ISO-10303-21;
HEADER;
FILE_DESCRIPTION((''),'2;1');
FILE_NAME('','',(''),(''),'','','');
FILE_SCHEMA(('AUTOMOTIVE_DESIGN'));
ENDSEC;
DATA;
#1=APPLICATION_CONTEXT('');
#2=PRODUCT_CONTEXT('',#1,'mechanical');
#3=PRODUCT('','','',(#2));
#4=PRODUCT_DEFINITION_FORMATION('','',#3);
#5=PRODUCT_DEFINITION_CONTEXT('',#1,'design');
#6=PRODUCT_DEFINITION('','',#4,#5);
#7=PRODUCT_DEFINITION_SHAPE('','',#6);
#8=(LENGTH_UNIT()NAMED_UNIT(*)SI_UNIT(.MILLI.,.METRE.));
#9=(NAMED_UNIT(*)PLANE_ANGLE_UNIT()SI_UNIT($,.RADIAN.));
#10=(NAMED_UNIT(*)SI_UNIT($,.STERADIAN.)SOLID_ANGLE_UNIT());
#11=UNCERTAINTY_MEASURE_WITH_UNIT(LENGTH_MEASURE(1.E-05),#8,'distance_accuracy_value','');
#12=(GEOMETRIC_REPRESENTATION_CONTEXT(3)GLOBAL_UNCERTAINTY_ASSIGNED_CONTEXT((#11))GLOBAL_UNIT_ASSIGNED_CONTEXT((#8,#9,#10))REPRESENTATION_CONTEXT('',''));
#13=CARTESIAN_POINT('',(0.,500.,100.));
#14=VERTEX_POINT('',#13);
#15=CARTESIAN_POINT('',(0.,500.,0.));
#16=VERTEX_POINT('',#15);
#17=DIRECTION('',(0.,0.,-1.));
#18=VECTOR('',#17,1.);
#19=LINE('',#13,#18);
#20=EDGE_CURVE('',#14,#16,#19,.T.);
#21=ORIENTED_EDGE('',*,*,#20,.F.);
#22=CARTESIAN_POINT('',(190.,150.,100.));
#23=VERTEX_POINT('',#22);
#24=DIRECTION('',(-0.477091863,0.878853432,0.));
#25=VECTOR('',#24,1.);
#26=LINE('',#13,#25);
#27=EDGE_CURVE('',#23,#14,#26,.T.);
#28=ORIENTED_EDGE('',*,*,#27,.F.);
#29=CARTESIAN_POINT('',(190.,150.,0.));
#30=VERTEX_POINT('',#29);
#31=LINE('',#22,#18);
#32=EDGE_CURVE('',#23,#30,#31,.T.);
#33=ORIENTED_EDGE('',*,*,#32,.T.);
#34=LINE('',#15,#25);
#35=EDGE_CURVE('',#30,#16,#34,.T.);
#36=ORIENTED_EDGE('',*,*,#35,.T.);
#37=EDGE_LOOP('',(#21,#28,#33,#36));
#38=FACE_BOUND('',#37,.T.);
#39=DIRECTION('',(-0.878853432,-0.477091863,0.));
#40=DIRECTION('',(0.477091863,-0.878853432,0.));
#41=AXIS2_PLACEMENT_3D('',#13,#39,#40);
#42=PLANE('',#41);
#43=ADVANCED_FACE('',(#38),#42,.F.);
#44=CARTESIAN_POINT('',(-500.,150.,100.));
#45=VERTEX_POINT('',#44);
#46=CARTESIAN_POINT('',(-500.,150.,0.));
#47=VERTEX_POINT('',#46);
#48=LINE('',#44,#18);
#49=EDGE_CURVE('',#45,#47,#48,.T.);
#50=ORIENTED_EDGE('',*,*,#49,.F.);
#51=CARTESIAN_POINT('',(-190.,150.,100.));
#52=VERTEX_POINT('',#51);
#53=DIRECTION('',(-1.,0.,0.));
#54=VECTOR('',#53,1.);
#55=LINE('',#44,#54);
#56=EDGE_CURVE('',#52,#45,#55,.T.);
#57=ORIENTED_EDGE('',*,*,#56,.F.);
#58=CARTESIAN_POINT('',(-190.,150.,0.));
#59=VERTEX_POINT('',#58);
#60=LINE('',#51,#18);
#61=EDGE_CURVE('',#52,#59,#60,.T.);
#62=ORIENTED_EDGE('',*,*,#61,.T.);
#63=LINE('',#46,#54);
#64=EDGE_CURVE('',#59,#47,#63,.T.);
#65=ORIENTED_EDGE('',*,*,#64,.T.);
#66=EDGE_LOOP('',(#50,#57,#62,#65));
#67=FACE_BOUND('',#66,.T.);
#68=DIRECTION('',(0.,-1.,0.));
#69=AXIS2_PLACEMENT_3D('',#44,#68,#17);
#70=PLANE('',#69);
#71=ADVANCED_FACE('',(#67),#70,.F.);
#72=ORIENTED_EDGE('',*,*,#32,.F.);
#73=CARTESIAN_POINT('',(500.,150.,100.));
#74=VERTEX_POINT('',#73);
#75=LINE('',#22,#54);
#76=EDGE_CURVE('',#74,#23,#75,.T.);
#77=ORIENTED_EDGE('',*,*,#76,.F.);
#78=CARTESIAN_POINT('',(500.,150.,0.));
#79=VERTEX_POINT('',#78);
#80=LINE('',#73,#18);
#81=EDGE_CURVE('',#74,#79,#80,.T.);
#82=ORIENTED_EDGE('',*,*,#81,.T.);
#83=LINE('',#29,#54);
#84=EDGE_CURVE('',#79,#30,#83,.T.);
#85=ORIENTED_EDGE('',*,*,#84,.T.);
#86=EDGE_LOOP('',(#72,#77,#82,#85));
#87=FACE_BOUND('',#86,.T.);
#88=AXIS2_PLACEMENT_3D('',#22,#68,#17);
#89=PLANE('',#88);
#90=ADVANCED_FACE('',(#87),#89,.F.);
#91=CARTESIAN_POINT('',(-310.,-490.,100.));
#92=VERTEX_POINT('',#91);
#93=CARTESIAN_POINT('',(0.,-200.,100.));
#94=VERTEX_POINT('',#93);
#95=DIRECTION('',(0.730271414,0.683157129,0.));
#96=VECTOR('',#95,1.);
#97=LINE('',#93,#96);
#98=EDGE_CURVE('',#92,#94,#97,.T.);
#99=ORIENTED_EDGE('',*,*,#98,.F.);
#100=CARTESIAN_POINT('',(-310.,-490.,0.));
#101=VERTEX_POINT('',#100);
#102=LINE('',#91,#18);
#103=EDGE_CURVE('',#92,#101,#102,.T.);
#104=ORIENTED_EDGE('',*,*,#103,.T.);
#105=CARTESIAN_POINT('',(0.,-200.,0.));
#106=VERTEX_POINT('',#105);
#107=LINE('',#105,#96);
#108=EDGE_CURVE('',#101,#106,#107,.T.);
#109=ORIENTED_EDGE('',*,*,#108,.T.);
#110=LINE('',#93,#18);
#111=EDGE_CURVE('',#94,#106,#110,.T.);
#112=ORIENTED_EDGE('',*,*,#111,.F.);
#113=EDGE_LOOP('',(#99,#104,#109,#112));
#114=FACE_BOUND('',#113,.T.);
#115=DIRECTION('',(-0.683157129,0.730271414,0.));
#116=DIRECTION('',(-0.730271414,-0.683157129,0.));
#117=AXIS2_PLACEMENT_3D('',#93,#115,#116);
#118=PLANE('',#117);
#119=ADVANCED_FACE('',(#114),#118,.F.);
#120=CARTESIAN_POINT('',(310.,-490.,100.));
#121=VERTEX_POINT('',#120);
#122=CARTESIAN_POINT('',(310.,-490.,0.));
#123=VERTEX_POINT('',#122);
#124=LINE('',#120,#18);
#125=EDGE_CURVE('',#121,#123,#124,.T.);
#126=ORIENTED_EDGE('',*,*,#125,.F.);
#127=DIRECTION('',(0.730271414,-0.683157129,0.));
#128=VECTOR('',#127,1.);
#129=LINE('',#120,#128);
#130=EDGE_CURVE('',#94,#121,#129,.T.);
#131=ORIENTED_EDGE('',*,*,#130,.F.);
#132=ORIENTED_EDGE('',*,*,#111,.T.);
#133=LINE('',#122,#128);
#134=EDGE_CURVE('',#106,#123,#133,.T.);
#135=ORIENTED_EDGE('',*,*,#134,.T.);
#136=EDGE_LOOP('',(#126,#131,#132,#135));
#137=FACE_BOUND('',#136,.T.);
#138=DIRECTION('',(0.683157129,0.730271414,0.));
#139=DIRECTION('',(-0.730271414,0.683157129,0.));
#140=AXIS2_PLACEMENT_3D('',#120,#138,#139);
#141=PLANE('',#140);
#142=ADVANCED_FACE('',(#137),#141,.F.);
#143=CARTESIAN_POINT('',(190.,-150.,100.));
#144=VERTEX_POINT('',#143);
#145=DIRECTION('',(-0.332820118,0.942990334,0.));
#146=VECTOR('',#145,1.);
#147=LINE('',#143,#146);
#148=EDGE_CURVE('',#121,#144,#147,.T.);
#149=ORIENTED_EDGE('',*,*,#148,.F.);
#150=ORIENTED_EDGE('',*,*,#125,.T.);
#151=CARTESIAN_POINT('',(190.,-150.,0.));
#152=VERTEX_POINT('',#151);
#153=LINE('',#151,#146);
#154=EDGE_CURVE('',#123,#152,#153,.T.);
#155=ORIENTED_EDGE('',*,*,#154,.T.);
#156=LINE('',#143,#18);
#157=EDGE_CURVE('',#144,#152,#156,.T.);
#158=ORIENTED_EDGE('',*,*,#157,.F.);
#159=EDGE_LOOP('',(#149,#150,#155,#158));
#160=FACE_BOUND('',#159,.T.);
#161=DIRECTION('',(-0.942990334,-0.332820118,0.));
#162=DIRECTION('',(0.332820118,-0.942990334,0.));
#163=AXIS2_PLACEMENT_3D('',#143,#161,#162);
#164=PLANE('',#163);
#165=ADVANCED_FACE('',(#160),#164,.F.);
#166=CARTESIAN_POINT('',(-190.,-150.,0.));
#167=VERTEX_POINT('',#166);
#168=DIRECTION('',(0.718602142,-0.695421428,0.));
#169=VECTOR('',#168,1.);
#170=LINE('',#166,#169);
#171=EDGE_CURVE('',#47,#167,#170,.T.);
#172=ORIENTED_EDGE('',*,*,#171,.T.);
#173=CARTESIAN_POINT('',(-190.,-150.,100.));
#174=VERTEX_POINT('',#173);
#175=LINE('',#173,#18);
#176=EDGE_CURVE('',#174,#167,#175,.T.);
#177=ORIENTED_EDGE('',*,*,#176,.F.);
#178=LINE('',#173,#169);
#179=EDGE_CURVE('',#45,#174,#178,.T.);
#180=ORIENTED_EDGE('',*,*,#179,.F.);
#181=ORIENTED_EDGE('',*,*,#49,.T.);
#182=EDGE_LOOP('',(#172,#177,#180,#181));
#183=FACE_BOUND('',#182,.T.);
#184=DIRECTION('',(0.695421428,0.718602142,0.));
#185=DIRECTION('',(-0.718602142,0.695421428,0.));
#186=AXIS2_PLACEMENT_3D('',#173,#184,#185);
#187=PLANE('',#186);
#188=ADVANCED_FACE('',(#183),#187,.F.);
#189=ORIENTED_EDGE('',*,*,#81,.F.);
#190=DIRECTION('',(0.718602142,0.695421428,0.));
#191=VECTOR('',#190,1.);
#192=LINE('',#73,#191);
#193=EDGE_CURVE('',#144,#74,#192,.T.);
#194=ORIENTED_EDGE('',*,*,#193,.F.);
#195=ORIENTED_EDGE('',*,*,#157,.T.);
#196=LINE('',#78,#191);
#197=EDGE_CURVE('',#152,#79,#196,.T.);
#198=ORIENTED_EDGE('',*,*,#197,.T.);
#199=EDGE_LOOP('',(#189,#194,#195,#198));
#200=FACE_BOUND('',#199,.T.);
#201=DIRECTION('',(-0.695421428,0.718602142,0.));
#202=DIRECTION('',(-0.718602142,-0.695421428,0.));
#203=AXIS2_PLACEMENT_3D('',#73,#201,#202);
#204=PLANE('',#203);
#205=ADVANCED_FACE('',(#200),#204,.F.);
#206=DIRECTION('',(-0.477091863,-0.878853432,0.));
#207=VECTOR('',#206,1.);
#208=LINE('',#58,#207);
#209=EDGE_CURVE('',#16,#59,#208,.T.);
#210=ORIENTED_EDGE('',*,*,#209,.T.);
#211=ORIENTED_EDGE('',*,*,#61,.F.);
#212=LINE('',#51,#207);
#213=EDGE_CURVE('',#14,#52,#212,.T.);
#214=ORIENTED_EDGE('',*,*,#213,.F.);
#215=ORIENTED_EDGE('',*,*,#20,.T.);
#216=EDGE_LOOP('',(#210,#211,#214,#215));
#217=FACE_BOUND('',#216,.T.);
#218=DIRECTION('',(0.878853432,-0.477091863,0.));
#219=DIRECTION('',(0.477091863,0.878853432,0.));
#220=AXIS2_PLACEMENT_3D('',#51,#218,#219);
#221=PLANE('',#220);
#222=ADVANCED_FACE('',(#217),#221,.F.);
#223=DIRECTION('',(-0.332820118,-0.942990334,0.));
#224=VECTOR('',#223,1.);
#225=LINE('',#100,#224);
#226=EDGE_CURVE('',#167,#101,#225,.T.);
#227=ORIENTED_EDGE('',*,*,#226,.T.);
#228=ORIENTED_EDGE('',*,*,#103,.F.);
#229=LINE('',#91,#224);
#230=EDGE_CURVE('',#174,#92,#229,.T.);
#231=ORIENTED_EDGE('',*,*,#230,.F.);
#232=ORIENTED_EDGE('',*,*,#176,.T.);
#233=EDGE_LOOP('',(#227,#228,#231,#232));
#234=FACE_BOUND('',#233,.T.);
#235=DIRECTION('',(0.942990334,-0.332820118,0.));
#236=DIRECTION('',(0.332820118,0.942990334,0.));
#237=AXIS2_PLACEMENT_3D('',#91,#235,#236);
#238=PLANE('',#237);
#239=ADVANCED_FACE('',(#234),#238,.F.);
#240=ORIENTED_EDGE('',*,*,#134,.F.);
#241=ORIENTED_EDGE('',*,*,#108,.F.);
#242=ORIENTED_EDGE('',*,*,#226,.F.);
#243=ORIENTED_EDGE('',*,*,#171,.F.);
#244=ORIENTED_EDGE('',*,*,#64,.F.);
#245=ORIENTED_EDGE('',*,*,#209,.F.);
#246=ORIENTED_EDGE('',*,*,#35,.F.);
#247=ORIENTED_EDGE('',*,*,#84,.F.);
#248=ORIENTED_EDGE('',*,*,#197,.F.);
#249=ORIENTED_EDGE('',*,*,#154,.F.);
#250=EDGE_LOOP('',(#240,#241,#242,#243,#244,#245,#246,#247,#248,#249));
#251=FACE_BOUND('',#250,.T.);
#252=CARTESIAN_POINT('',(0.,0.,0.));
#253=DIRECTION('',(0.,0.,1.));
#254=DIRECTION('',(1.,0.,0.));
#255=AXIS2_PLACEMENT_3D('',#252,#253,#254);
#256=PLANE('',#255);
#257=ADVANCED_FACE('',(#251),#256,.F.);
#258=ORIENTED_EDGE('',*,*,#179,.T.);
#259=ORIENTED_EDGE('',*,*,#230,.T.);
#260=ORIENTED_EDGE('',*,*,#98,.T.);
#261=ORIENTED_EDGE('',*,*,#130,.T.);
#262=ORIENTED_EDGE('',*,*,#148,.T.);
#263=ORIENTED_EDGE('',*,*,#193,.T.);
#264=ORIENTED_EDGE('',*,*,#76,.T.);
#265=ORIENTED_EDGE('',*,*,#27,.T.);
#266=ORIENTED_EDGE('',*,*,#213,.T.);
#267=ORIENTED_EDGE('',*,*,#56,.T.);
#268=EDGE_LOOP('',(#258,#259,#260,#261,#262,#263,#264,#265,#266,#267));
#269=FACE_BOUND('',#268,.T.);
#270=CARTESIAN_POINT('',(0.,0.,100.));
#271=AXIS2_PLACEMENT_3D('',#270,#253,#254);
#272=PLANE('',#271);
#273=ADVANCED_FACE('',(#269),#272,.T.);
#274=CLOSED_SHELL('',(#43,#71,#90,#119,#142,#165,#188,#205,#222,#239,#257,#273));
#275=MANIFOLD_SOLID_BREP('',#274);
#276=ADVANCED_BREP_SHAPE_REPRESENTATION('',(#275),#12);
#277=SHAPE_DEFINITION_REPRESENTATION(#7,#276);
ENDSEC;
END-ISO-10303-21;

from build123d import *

# Parameters (mm, degrees)
EXTRUDE_1_DEPTH = 100


with BuildPart() as part:
    # 草图1 → 凸台-拉伸1 (new body)
    with BuildSketch(Plane.XY):
        Polygon((0, 500), (190, 150), (500, 150), (190, -150), (310, -490), (0, -200), (-310, -490), (-190, -150), (-500, 150), (-190, 150), align=None)
    extrude(amount=EXTRUDE_1_DEPTH)


solid = part.part
